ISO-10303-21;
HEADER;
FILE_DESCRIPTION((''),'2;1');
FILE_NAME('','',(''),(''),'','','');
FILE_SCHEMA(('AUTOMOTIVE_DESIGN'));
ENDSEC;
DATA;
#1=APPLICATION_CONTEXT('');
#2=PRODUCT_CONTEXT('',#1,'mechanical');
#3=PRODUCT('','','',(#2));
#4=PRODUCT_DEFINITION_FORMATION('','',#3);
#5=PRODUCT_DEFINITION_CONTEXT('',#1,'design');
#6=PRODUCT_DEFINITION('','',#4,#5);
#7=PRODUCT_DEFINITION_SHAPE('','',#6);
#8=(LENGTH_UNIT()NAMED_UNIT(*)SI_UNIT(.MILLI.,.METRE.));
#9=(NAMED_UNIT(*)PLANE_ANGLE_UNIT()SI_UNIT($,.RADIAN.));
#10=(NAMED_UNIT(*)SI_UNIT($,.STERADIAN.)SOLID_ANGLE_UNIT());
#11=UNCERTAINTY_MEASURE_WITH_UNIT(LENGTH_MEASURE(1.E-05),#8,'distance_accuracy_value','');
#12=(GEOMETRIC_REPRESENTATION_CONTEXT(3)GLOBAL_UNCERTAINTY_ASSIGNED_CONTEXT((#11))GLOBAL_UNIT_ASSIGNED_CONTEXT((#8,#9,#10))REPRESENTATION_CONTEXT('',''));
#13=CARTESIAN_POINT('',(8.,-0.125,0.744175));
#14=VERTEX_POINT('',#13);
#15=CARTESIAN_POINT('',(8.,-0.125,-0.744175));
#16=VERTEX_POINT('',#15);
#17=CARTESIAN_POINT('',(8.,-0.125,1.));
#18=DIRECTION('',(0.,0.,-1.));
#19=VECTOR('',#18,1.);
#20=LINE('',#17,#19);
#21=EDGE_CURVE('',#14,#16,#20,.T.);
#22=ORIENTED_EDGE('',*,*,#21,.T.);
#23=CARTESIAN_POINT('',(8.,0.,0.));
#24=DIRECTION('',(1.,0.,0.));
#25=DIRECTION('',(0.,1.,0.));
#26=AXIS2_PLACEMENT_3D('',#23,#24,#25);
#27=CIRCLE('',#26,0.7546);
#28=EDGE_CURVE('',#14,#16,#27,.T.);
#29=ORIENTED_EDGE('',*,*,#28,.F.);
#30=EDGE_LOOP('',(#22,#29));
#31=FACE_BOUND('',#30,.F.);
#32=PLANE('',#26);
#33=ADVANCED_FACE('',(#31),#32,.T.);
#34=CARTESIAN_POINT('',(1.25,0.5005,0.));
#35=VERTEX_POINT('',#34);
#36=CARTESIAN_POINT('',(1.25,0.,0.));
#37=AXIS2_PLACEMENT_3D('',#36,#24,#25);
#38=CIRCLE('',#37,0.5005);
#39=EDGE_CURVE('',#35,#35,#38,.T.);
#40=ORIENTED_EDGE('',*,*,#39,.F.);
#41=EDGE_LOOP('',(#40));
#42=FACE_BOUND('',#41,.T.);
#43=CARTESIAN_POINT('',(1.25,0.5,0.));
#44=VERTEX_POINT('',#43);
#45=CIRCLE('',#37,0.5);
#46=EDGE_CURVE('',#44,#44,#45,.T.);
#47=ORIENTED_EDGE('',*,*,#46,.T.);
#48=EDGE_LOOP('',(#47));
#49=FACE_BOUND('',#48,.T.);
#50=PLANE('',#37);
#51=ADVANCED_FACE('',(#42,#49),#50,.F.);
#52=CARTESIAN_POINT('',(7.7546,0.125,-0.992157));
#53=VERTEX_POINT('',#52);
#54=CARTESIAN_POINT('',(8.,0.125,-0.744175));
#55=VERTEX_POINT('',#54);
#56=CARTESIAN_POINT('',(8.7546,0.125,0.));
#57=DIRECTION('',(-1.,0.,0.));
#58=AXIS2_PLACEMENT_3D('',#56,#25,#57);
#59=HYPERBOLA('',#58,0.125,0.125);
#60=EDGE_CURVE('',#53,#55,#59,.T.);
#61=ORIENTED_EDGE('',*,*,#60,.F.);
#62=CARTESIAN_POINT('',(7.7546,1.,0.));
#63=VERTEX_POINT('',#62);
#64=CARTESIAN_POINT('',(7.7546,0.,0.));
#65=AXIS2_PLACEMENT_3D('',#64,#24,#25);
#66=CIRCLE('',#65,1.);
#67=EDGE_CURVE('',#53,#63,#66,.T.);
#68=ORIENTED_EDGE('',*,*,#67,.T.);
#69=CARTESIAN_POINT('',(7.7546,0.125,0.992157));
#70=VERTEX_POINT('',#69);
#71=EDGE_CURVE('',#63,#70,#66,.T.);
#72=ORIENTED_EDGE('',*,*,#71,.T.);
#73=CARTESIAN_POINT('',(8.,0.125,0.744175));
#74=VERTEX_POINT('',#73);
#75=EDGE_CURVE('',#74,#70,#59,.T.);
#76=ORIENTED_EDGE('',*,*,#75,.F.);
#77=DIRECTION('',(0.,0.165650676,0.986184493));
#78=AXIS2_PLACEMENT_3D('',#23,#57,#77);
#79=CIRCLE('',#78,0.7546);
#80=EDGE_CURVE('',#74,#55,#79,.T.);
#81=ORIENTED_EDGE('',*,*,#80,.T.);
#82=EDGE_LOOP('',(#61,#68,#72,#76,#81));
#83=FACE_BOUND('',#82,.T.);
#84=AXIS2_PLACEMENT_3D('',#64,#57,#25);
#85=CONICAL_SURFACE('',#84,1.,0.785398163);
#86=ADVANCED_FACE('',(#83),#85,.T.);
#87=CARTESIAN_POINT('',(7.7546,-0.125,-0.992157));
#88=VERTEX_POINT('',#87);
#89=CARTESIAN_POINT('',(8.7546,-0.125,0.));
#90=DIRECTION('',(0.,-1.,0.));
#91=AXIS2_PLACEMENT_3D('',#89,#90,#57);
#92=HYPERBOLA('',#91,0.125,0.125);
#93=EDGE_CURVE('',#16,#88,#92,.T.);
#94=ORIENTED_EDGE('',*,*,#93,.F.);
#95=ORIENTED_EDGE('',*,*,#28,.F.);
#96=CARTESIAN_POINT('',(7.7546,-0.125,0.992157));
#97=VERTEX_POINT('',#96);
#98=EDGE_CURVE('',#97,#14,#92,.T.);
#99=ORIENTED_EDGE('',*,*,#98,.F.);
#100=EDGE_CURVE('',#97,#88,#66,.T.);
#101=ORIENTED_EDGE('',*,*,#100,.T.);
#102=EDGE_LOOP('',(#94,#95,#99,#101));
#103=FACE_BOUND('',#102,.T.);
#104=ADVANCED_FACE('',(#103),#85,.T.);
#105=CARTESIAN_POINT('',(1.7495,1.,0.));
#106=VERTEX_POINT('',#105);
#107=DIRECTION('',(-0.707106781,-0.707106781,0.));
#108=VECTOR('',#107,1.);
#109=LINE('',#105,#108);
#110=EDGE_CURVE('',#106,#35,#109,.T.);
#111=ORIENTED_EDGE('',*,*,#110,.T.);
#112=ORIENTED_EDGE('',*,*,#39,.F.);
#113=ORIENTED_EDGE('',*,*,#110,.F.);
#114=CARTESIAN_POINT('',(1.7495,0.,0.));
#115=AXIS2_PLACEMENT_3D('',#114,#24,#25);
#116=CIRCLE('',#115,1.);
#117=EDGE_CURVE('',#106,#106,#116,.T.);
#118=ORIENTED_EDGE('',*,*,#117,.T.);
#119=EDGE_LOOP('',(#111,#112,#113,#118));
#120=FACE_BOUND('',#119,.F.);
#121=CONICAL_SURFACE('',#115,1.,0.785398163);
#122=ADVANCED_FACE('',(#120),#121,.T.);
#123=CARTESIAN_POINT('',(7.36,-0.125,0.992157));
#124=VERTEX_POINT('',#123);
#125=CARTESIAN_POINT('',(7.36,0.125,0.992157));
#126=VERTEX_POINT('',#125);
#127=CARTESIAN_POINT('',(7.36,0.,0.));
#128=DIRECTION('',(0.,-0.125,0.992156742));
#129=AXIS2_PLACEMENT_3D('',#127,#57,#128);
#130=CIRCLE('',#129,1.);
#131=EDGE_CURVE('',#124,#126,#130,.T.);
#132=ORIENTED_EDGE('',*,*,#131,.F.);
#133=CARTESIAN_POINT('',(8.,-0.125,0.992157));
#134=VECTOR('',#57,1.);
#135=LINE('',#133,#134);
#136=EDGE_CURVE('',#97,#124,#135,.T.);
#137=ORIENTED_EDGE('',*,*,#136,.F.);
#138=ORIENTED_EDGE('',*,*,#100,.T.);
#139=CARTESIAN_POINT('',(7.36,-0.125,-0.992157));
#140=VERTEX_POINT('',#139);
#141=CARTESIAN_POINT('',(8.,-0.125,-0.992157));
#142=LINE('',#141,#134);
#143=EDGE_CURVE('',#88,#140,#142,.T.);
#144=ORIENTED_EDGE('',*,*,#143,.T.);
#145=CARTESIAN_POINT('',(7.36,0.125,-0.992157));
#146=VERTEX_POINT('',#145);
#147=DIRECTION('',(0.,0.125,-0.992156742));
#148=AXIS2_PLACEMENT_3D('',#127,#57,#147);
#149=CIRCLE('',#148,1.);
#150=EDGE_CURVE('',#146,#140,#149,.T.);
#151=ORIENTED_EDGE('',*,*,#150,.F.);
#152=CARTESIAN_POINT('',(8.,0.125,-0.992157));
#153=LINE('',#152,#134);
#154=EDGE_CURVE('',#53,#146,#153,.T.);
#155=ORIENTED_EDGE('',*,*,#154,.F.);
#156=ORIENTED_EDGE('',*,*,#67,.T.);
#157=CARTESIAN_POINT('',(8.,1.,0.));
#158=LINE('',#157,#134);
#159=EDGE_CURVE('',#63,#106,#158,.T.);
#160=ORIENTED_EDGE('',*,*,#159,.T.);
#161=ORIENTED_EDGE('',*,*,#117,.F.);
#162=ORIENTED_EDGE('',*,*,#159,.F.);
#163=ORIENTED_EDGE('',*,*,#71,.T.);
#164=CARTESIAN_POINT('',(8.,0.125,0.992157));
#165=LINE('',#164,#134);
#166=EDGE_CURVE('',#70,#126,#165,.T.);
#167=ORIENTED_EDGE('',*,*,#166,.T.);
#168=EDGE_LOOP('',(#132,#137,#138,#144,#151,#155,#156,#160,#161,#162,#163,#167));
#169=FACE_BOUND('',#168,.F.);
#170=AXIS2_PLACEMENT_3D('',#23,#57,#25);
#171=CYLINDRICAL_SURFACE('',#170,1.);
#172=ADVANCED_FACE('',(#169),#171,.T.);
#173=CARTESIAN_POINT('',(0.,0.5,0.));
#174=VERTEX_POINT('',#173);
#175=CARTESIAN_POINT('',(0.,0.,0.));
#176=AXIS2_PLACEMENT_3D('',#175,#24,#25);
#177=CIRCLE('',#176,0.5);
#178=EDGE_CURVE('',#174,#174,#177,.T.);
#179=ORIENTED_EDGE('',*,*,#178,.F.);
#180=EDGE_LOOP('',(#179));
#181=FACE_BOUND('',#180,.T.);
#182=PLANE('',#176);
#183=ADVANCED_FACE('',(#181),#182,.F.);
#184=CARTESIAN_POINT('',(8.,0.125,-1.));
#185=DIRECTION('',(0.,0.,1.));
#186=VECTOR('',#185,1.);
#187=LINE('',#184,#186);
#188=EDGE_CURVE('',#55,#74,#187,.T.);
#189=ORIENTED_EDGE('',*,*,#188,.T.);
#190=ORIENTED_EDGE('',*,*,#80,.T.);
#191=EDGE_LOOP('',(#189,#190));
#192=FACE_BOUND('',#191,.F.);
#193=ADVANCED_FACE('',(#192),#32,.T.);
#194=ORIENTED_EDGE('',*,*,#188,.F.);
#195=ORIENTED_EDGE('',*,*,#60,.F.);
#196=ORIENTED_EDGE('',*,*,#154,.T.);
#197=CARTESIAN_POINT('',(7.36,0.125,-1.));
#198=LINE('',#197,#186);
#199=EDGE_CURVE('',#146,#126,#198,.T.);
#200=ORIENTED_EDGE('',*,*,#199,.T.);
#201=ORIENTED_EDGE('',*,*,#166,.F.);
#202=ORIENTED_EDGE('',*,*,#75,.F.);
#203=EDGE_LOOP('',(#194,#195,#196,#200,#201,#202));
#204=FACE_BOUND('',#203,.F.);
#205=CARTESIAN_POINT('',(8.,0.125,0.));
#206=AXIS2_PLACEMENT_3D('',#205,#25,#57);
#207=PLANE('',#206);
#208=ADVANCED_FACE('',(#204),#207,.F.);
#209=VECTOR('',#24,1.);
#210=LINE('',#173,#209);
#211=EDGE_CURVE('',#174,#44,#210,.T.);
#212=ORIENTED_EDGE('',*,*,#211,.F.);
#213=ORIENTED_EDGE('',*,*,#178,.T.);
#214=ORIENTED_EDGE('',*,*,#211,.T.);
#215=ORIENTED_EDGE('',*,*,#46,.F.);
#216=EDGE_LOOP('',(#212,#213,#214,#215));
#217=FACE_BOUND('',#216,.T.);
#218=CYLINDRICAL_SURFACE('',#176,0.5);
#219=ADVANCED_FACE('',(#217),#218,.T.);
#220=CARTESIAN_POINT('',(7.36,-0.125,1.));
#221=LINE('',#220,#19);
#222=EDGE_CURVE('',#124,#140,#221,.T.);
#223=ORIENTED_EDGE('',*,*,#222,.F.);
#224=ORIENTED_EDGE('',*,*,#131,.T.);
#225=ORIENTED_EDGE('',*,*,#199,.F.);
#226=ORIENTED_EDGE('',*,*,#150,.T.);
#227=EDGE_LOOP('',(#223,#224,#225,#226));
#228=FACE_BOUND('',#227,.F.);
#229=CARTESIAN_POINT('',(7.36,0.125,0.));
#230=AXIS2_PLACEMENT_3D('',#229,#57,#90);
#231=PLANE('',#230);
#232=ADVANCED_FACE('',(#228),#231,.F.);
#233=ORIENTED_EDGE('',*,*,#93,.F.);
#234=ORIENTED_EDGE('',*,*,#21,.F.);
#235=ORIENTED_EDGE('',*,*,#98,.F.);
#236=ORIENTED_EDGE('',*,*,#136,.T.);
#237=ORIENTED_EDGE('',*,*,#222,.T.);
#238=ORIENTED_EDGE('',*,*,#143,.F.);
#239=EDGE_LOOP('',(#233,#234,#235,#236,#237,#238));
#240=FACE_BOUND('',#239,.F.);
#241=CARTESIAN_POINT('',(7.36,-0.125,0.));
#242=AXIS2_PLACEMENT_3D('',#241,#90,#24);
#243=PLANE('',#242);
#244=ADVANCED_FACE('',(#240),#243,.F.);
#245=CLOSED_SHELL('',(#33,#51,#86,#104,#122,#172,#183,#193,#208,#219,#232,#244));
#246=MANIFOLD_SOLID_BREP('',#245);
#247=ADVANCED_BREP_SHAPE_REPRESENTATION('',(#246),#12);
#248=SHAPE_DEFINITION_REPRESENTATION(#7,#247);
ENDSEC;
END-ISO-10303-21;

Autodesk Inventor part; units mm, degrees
ref_plane "YZ Plane" through (0, 0, 0) normal (1, 0, 0) x (0, 1, 0)
ref_plane "XZ Plane" through (0, 0, 0) normal (0, 1, 0) x (-1, 0, 0)
sketch "Sketch1" plane through (0, 0, 0) normal (0, 0, 1) x (1, 0, 0)
  line L0 (0, 0) -> (8, 0)
  line L1 (8, 0) -> (8, 1)
  line L2 (8, 1) -> (1.25, 1)
  line L3 (0, -0.2) -> (0, 1.2) projected
  line L4 (0, 0.5) -> (0, 0)
  line L5 (0, 0.5) -> (1.25, 0.5)
  line L6 (1.25, 0.5) -> (1.25, 1)
  dimension "d1" = 8
  dimension "d2" = 1
  dimension "d13" = 2
  dimension "d14" = 1.25
revolve "Body" add sketch "Sketch1" angle 360 about axis through (0, 0, 0) along (1, 0, 0)
chamfer "Chamfer1" distance 0.2454 angle 45 1 edges at (8, -1, 0) measured on face at (8, -0.1923, -0.0109)
sketch "Sketch2" plane through (0, 0, 0) normal (0, 0, 1) x (1, 0, 0)
  line L0 (8, 0.7546) -> (8, -0.7546) projected
  line L1 (7.232, 0) -> (8.128, 0) projected
  line L2 (8, 0.125) -> (7.36, 0.125)
  line L3 (7.36, 0.125) -> (7.36, 0)
  line L4 (7.36, -0.125) -> (7.36, 0)
  line L5 (7.36, -0.125) -> (8, -0.125)
  dimension "d8" = 0.125
  dimension "d9" = 0.64
extrude "Slot" cut sketch "Sketch2" against normal mid plane 2
thread "Thread" size "M2x0.4" class "6g" standard "ISO Metric profile" length 6.75
chamfer "Chamfer2" distance 0.5 angle 45 1 edges at (1.25, -1, 0) measured on face at (1.25, 0.8236, -0.0798)
ref_plane "Work Plane1" through (4.625, 0, 0) normal (0, 0, -1) x (1, 0, 0)
equation "\"d8\" = 0.5 * SBR"
equation "\"d9\" = STI"
equation "\"d10\" = NND"
equation "\"d3\" = -0.5 * GD1 + 0.5 * NND"
equation "\"d4\" = FAWI"
equation "\"d37\" = -0.5 * GD1 + 0.5 * NND"
equation "\"d5\" = NLG - ZLG"
equation "\"d15\" = -0.5 * SPD + 0.5 * NND"
equation "\"d16\" = FAWI"
equation "\"d38\" = -0.5 * SPD + 0.5 * NND"
equation "\"d1\" = NLG"
equation "\"d2\" = SPD"
equation "\"d13\" = NND"
equation "\"d14\" = ZLG"
equation "\"NND\" = 2"
equation "\"NLG\" = 8"
equation "\"FAWI\" = 45deg"
equation "\"GD1\" = THREADDIA - 1.2269 * PTC"
equation "\"FAWI1\" = 45deg"
equation "\"SPD\" = 1"
equation "\"SBR\" = 0.25"
equation "\"STI\" = 0.64"
equation "\"ZLG\" = 1.25"
equation "\"GUL\" = 0.61345 * PTC"
equation "\"THREADDIA\" = 2"
equation "\"TOA\" = 30deg"
equation "\"PTC\" = 0.4"
equation "\"GAL\" = 0.61345 * PTC"
properties part number "ISO 7435 - M2 x 8" material "Stainless Steel, 440C"
